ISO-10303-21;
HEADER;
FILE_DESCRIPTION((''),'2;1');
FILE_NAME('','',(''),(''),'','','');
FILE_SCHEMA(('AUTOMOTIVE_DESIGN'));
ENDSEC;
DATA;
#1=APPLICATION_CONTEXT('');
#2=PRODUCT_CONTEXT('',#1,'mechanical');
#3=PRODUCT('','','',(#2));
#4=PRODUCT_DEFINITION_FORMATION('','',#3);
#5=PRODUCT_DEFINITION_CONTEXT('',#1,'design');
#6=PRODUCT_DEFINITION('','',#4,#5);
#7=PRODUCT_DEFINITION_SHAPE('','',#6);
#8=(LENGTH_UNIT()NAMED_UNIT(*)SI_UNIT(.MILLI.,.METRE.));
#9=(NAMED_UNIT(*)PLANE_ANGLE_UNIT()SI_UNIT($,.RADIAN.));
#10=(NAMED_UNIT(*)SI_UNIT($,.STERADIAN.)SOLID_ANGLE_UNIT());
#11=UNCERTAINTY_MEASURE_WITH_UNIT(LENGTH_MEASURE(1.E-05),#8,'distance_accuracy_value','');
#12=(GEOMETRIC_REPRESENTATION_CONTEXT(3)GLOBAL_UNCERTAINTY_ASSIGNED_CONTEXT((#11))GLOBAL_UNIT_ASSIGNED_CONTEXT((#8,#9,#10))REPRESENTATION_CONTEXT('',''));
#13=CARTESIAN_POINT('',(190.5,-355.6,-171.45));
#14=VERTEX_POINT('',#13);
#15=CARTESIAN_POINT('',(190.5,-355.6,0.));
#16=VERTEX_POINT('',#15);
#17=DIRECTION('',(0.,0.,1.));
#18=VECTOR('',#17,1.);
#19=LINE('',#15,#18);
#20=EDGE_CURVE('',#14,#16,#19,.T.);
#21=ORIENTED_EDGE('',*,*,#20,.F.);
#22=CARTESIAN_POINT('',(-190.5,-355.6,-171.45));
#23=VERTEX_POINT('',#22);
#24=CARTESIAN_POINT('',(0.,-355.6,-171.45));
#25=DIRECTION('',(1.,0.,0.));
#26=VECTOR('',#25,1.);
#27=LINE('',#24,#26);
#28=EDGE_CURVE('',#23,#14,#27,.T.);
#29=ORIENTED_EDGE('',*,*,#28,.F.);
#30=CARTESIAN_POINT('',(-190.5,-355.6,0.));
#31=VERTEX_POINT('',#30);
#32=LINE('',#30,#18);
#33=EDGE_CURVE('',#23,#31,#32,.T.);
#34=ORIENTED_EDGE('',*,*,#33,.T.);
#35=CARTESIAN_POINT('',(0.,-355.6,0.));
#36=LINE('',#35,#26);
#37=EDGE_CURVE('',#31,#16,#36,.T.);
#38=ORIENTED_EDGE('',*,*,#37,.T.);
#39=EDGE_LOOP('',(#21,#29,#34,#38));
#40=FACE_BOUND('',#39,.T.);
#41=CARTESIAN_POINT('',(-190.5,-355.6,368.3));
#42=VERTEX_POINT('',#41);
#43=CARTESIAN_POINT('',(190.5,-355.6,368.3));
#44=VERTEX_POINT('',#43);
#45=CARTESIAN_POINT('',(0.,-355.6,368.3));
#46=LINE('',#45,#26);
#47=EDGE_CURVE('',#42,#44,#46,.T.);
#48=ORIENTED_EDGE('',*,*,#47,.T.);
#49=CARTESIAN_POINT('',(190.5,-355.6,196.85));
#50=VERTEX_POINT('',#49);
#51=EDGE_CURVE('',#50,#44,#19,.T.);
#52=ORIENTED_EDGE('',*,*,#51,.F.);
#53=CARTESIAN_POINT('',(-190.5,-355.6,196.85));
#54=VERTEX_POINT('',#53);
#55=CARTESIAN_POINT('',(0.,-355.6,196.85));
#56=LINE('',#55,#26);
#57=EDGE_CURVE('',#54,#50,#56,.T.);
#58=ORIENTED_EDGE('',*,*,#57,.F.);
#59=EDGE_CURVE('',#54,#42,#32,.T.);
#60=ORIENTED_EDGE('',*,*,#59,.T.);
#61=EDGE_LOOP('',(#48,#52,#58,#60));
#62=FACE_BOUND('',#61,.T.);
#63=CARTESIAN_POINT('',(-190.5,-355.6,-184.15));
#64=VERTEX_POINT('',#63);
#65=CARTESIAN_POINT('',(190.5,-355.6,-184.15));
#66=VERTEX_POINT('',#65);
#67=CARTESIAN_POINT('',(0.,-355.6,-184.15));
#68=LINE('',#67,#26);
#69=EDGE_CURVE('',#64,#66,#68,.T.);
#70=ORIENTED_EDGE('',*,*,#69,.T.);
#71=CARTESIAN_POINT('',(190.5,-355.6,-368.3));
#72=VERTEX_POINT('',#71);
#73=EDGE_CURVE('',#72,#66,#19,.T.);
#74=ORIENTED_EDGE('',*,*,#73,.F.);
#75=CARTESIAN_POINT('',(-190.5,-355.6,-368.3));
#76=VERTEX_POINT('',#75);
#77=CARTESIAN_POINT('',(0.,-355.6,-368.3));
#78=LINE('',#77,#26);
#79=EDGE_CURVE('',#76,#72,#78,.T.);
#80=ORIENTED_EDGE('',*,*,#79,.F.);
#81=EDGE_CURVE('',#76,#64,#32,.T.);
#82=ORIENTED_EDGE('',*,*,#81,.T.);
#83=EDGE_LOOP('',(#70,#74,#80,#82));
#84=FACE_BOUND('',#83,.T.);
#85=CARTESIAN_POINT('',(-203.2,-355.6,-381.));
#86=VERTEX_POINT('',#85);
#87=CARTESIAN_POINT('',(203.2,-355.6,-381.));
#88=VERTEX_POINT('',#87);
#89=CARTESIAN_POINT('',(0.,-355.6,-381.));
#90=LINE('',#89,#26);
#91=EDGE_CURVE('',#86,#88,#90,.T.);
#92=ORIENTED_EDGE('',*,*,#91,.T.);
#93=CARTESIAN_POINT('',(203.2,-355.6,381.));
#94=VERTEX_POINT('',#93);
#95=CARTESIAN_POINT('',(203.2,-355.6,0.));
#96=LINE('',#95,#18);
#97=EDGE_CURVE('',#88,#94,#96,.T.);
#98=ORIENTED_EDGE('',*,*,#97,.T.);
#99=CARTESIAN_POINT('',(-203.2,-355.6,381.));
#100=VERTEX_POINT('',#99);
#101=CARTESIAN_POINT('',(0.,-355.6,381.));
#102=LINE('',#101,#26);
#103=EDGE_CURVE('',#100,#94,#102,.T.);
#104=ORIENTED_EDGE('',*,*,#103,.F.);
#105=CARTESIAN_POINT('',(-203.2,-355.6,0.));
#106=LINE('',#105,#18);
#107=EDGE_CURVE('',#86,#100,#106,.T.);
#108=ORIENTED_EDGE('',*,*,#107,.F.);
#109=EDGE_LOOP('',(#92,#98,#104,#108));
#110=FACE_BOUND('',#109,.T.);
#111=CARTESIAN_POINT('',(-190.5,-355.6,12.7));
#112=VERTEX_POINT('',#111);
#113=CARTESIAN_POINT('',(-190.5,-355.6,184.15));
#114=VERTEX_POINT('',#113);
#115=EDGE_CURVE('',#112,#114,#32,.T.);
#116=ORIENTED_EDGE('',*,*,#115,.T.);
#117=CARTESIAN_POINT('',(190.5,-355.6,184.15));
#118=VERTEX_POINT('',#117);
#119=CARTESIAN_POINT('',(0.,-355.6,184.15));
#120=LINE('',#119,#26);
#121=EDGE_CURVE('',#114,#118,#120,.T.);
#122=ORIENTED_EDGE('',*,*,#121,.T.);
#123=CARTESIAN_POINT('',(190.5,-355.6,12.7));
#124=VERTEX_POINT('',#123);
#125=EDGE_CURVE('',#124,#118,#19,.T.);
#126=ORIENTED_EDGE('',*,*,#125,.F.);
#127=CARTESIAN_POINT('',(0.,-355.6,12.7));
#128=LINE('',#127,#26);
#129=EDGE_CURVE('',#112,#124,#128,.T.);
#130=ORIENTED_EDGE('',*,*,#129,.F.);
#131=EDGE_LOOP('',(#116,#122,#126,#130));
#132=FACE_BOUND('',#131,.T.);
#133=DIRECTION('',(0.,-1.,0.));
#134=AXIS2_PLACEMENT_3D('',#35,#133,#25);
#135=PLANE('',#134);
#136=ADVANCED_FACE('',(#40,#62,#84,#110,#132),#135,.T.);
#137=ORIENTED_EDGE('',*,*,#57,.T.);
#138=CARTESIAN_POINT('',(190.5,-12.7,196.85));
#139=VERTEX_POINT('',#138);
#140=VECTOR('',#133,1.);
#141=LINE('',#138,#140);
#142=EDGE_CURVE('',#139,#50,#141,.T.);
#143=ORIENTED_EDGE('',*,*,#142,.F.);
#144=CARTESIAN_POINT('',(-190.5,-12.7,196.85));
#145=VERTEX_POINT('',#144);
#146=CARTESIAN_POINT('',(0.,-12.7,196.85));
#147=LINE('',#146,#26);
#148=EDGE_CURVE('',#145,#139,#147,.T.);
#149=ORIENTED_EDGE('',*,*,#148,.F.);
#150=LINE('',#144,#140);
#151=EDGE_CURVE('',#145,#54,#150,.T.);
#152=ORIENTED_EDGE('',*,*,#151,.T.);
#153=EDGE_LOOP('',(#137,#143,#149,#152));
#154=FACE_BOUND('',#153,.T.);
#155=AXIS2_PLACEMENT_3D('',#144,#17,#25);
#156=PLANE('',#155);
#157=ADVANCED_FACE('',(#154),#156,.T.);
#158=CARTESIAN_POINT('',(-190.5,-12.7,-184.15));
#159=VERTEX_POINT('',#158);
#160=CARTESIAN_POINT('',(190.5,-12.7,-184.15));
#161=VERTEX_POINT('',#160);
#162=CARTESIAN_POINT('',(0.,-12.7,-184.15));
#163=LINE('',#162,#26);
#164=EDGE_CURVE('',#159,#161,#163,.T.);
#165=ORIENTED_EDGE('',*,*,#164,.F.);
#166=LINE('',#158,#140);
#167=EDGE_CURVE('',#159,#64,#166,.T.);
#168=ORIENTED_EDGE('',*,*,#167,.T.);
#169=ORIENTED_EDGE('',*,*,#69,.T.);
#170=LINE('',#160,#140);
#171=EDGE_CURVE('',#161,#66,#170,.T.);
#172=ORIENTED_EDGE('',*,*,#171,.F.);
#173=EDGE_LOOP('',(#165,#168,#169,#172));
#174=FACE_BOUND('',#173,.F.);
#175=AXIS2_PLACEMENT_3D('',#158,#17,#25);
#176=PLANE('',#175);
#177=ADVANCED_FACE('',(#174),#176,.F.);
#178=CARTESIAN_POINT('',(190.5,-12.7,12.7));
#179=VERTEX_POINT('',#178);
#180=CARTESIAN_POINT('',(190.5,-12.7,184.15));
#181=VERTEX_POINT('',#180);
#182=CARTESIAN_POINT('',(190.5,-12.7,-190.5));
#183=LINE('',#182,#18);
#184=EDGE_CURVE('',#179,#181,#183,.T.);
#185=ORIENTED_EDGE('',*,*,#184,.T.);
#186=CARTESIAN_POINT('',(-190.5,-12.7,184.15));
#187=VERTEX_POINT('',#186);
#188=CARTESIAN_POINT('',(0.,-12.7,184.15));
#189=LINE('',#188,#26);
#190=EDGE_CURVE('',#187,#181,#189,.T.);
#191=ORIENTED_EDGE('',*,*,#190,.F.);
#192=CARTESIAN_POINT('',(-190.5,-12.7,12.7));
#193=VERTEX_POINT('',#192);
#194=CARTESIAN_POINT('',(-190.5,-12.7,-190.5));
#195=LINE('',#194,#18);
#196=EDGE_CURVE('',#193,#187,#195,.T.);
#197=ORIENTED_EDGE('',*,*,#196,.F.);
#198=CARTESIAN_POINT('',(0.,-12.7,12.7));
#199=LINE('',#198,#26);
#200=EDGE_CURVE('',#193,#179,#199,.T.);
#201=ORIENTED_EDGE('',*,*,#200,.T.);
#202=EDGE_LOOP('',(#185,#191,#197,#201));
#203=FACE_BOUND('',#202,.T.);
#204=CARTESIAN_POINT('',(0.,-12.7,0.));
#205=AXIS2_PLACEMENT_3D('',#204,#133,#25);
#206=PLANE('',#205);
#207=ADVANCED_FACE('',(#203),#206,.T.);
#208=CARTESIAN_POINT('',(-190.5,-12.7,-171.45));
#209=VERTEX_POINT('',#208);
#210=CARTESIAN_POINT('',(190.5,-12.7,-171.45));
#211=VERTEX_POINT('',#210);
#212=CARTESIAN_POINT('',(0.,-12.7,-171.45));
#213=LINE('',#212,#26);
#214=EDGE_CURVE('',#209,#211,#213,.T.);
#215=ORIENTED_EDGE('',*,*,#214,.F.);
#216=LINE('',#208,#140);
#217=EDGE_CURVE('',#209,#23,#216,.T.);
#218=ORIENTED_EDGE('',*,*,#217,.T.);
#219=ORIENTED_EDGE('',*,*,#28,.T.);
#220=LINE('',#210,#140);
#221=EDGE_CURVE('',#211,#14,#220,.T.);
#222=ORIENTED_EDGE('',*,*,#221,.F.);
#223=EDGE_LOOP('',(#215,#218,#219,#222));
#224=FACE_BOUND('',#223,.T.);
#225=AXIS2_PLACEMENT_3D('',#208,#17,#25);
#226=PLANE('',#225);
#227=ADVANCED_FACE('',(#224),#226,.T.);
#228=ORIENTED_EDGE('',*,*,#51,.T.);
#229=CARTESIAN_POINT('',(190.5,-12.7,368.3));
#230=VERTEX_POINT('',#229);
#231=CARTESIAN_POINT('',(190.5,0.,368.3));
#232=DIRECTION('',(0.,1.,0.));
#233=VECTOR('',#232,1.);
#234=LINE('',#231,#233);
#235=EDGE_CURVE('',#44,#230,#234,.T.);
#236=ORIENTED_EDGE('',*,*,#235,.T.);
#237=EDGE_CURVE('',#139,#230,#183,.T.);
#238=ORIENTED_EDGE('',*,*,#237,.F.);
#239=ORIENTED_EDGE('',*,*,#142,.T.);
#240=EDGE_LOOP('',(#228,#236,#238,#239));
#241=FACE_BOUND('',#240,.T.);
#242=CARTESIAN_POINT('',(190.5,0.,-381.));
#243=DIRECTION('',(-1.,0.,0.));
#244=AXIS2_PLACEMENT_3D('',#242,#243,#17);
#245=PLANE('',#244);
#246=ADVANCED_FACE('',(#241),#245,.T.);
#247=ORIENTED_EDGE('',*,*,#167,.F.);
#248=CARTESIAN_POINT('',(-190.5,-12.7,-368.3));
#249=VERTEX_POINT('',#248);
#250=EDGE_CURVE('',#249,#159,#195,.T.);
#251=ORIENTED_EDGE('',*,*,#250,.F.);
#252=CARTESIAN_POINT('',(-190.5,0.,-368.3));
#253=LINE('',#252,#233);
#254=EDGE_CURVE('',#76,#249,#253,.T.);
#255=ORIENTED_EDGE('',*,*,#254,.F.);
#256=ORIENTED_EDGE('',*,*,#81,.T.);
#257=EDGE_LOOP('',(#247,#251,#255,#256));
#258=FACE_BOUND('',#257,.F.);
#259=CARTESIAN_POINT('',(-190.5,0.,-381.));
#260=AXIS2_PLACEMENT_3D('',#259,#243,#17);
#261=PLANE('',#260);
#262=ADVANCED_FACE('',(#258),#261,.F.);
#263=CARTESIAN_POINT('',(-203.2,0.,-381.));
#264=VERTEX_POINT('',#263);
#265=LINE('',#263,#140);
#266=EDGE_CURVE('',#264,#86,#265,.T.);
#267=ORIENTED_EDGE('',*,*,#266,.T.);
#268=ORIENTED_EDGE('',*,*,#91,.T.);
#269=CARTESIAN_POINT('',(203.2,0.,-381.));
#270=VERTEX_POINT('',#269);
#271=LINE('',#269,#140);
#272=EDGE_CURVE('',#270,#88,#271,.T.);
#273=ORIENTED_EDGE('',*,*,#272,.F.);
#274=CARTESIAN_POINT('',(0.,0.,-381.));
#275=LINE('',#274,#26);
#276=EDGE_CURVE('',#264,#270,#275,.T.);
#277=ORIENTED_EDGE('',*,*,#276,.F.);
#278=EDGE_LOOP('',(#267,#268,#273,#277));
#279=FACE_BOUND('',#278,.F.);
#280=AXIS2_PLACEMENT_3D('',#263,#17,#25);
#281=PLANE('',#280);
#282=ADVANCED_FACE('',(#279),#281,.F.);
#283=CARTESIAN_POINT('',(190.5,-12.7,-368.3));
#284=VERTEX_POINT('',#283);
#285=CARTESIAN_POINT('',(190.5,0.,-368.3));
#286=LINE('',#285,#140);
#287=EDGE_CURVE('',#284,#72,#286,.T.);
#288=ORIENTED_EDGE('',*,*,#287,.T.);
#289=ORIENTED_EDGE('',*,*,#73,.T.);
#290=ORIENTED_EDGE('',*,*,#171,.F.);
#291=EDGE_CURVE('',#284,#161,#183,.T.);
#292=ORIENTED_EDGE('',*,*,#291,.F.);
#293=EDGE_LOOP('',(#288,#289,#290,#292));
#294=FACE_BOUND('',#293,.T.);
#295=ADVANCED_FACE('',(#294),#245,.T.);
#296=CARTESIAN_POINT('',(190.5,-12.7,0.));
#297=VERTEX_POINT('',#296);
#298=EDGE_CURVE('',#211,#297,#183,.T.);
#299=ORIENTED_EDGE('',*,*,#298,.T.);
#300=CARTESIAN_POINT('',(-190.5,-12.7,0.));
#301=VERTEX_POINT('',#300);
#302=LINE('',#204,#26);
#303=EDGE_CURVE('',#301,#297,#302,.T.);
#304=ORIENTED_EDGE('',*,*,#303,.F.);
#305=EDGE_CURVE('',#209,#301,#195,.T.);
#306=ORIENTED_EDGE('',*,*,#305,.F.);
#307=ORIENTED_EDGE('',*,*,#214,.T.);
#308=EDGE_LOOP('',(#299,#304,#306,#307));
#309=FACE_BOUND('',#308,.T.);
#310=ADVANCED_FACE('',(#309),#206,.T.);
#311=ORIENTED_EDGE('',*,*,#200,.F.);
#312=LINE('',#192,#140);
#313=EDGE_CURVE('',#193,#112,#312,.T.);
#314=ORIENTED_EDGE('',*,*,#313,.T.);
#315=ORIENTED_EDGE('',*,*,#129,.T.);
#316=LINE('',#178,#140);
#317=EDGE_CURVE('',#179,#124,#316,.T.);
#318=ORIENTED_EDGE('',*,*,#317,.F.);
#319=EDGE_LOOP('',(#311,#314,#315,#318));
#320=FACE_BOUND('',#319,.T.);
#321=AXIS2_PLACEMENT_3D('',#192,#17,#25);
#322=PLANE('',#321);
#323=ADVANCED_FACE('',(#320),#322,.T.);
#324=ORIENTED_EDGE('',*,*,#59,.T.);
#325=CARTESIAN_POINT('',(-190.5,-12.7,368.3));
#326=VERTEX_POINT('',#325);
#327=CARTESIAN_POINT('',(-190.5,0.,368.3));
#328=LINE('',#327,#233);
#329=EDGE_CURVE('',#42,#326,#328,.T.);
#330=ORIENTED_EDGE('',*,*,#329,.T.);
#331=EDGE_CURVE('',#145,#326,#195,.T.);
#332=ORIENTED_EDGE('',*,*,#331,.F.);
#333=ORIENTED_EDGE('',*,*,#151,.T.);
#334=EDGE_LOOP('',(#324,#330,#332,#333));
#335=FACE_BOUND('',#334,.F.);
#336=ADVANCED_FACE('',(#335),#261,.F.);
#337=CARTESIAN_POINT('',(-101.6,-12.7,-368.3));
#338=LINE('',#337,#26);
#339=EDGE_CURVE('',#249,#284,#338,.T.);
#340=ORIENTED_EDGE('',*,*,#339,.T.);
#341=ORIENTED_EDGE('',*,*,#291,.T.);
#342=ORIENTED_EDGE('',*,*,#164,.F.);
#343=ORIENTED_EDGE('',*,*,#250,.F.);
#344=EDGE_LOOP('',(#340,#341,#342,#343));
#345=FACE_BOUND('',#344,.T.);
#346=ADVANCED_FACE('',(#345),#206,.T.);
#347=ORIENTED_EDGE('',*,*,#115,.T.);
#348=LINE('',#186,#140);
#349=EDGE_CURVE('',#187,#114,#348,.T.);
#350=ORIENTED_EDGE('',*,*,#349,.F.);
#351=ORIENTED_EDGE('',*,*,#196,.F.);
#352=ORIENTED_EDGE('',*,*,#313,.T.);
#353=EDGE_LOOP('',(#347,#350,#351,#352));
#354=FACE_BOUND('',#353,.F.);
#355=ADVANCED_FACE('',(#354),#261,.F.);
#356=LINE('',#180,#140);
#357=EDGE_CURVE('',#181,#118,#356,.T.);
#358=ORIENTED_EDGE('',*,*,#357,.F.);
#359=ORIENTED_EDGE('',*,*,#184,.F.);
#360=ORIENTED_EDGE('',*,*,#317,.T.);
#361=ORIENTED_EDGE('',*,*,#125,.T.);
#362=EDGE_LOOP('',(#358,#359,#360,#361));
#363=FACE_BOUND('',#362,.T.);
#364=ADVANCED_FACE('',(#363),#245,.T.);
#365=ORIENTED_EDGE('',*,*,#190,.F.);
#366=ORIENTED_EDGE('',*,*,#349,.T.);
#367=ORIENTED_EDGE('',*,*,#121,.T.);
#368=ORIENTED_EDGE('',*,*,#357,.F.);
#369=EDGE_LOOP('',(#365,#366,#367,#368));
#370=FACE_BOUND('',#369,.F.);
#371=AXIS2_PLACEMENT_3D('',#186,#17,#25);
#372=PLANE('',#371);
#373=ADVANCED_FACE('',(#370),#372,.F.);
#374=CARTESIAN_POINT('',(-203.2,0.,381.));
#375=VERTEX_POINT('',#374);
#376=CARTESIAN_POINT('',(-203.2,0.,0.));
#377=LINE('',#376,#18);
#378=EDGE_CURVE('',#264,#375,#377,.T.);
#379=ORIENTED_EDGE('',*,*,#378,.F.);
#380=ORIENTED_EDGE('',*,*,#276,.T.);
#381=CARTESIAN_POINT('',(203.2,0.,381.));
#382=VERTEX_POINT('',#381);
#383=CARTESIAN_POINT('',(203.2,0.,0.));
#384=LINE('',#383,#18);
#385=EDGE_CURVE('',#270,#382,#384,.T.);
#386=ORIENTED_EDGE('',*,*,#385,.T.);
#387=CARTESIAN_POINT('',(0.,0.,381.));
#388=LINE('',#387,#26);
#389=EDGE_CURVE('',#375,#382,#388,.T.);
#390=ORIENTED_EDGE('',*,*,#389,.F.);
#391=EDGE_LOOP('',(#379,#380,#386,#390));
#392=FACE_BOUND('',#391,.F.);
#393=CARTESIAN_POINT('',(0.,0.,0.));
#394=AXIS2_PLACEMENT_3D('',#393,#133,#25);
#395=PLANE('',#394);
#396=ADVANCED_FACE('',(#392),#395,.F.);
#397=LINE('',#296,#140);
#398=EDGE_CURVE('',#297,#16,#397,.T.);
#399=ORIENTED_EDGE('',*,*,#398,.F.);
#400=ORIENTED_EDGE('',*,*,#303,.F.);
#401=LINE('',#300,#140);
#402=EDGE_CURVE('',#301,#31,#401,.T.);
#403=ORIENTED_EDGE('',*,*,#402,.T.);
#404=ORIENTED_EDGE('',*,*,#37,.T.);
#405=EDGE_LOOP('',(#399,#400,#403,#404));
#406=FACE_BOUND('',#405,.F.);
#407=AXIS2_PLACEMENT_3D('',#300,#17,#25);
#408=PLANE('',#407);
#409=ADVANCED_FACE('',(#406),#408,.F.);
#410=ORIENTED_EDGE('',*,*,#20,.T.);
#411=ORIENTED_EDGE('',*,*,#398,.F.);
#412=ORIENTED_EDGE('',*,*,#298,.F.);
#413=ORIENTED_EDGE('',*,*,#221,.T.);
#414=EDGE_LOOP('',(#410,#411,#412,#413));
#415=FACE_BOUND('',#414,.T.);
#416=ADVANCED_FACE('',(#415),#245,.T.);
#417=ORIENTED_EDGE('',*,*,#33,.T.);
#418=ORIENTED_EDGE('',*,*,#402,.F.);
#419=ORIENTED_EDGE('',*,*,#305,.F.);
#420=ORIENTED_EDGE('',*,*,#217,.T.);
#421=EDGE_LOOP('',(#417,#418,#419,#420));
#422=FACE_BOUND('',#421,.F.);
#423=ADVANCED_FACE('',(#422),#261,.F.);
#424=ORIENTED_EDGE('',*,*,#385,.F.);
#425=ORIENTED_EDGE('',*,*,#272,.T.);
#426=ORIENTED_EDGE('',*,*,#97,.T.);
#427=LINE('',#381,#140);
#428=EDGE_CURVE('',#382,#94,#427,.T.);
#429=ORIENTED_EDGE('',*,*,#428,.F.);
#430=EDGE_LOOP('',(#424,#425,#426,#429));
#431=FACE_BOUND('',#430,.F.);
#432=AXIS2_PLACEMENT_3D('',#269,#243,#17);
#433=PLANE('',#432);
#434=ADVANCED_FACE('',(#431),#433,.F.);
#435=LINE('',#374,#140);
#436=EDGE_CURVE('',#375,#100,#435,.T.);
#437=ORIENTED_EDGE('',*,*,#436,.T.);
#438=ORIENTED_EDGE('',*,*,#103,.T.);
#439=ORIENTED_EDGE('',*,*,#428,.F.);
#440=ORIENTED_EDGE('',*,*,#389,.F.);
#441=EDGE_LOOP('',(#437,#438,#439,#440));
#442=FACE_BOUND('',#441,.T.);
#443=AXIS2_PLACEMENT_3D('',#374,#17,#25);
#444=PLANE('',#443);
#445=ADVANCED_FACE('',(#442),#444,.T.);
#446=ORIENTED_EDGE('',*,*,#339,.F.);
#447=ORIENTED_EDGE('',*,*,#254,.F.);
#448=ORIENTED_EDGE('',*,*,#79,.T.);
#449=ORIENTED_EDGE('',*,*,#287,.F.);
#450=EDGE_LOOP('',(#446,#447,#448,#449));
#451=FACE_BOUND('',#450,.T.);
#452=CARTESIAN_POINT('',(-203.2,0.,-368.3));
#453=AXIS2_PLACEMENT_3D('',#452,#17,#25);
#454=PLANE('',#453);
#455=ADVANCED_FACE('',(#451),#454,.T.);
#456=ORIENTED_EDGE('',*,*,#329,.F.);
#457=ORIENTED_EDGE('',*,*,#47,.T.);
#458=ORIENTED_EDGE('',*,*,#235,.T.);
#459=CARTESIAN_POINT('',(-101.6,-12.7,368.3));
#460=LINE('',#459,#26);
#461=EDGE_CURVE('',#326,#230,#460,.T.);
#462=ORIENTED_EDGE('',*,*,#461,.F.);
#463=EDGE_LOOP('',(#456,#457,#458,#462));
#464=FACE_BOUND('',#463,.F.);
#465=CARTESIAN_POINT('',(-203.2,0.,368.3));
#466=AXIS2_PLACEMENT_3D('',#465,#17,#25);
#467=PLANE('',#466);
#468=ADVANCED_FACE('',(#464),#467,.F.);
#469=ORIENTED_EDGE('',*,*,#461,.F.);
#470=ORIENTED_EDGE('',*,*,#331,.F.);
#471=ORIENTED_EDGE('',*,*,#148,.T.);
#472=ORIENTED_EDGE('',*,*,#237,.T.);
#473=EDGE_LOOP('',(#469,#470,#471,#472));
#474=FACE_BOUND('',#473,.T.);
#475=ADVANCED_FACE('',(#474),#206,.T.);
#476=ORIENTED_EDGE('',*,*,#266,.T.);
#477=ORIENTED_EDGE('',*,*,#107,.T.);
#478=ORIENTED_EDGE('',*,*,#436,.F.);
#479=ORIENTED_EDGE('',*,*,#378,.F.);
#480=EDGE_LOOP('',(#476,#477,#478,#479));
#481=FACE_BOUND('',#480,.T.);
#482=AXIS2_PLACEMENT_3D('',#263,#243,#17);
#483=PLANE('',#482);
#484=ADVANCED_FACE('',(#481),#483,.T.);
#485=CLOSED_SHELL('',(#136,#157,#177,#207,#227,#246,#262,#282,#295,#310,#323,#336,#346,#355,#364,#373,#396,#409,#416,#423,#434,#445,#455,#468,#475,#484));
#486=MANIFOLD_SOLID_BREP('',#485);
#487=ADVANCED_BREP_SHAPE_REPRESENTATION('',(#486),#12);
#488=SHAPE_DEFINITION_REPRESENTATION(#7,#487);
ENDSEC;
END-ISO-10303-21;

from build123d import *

# Parameters (mm, degrees)
F0_W     = 406.4
F0_H     = 762
F1_DEPTH = 355.6
F2_T     = -12.7
F3_W     = 381
F3_H     = 12.7
F4_DEPTH = 342.9


with BuildPart() as f1:
    # F0 (on Front) → F1 (new body)
    with BuildSketch(Plane.XZ):
        Rectangle(F0_W, F0_H)
    extrude(amount=F1_DEPTH)

    # F2
    f2_openings = [f1.faces().sort_by_distance(p)[0] for p in [
        (0, -355.6, 0),
    ]]
    offset(amount=F2_T, openings=f2_openings)

    # F3 (on face) → F4 (join)
    with BuildSketch(Plane.XZ.offset(12.7)):
        with Locations((0, 190.5)):
            Rectangle(F3_W, F3_H)
        with Locations((0, 6.35)):
            Rectangle(F3_W, F3_H)
        with Locations((0, -177.8)):
            Rectangle(F3_W, F3_H)
    extrude(amount=F4_DEPTH)


solid = f1.part
